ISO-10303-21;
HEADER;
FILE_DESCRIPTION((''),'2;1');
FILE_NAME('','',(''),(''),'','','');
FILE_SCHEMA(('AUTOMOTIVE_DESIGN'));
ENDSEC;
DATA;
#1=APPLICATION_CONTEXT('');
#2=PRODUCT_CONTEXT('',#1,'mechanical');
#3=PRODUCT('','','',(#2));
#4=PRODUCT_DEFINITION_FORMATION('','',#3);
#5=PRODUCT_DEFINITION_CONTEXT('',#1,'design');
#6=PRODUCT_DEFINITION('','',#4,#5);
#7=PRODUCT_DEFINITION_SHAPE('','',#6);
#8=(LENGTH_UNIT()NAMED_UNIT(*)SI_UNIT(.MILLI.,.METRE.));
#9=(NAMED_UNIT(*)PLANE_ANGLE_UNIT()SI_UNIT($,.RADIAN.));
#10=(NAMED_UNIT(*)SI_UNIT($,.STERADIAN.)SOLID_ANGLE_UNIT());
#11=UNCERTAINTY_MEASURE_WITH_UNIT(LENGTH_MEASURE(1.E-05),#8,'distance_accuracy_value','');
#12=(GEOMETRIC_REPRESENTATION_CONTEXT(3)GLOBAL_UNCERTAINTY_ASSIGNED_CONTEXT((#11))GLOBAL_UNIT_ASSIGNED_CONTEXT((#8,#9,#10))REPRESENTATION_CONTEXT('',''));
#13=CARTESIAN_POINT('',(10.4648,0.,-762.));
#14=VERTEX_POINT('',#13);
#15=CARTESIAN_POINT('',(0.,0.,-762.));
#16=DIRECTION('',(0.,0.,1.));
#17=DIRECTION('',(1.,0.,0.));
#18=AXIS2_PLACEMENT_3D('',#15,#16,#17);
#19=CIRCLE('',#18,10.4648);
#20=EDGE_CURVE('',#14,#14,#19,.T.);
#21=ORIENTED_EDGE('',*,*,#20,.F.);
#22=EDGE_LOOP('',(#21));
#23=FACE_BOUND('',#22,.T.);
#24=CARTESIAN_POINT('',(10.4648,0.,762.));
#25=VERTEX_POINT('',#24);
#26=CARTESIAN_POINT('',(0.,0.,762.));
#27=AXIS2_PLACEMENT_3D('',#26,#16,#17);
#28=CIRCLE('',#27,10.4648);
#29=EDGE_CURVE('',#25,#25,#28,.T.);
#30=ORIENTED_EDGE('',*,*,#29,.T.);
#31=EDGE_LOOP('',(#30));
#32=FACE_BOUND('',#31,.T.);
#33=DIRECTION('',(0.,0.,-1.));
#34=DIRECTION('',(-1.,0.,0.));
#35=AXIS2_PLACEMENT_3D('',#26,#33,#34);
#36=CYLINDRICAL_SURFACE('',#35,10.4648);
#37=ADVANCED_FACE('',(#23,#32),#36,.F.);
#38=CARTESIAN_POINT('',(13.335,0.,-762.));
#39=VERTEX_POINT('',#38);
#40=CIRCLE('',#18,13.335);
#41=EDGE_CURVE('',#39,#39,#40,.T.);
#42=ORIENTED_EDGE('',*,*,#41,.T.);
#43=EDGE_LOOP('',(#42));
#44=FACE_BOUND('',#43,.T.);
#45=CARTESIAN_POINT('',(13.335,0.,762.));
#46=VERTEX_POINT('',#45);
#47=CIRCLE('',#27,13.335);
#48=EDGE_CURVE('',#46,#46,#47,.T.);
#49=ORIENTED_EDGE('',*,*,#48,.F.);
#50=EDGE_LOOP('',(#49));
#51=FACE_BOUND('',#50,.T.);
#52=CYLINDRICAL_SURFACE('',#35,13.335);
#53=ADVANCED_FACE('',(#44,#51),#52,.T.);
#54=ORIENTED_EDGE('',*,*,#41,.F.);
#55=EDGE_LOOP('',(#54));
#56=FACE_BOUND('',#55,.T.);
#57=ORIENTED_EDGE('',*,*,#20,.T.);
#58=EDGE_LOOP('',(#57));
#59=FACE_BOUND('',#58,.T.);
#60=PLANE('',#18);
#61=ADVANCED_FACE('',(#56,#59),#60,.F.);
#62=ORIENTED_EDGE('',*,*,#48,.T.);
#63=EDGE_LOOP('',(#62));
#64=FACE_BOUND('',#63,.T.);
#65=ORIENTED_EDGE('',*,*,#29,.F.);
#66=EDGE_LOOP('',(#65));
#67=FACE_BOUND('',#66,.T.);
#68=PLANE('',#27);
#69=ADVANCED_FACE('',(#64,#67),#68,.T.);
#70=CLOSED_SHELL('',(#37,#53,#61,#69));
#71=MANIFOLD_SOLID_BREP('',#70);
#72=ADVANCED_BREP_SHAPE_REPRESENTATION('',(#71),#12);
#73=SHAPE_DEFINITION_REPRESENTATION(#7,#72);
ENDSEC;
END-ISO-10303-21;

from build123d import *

# Parameters (mm, degrees)
SKETCH3_R                = 13.335
SKETCH3_R_2              = 10.4648
BOSS_EXTRUDE1_DEPTH      = 762
BOSS_EXTRUDE1_DEPTH_BACK = 762


with BuildPart() as part:
    # Sketch3 → Boss-Extrude1 (new body, two sides)
    with BuildSketch(Plane.XY) as boss_extrude1_sk:
        Circle(SKETCH3_R)
        Circle(SKETCH3_R_2, mode=Mode.SUBTRACT)
    extrude(amount=BOSS_EXTRUDE1_DEPTH)
    extrude(boss_extrude1_sk.sketch, amount=-BOSS_EXTRUDE1_DEPTH_BACK)


solid = part.part
